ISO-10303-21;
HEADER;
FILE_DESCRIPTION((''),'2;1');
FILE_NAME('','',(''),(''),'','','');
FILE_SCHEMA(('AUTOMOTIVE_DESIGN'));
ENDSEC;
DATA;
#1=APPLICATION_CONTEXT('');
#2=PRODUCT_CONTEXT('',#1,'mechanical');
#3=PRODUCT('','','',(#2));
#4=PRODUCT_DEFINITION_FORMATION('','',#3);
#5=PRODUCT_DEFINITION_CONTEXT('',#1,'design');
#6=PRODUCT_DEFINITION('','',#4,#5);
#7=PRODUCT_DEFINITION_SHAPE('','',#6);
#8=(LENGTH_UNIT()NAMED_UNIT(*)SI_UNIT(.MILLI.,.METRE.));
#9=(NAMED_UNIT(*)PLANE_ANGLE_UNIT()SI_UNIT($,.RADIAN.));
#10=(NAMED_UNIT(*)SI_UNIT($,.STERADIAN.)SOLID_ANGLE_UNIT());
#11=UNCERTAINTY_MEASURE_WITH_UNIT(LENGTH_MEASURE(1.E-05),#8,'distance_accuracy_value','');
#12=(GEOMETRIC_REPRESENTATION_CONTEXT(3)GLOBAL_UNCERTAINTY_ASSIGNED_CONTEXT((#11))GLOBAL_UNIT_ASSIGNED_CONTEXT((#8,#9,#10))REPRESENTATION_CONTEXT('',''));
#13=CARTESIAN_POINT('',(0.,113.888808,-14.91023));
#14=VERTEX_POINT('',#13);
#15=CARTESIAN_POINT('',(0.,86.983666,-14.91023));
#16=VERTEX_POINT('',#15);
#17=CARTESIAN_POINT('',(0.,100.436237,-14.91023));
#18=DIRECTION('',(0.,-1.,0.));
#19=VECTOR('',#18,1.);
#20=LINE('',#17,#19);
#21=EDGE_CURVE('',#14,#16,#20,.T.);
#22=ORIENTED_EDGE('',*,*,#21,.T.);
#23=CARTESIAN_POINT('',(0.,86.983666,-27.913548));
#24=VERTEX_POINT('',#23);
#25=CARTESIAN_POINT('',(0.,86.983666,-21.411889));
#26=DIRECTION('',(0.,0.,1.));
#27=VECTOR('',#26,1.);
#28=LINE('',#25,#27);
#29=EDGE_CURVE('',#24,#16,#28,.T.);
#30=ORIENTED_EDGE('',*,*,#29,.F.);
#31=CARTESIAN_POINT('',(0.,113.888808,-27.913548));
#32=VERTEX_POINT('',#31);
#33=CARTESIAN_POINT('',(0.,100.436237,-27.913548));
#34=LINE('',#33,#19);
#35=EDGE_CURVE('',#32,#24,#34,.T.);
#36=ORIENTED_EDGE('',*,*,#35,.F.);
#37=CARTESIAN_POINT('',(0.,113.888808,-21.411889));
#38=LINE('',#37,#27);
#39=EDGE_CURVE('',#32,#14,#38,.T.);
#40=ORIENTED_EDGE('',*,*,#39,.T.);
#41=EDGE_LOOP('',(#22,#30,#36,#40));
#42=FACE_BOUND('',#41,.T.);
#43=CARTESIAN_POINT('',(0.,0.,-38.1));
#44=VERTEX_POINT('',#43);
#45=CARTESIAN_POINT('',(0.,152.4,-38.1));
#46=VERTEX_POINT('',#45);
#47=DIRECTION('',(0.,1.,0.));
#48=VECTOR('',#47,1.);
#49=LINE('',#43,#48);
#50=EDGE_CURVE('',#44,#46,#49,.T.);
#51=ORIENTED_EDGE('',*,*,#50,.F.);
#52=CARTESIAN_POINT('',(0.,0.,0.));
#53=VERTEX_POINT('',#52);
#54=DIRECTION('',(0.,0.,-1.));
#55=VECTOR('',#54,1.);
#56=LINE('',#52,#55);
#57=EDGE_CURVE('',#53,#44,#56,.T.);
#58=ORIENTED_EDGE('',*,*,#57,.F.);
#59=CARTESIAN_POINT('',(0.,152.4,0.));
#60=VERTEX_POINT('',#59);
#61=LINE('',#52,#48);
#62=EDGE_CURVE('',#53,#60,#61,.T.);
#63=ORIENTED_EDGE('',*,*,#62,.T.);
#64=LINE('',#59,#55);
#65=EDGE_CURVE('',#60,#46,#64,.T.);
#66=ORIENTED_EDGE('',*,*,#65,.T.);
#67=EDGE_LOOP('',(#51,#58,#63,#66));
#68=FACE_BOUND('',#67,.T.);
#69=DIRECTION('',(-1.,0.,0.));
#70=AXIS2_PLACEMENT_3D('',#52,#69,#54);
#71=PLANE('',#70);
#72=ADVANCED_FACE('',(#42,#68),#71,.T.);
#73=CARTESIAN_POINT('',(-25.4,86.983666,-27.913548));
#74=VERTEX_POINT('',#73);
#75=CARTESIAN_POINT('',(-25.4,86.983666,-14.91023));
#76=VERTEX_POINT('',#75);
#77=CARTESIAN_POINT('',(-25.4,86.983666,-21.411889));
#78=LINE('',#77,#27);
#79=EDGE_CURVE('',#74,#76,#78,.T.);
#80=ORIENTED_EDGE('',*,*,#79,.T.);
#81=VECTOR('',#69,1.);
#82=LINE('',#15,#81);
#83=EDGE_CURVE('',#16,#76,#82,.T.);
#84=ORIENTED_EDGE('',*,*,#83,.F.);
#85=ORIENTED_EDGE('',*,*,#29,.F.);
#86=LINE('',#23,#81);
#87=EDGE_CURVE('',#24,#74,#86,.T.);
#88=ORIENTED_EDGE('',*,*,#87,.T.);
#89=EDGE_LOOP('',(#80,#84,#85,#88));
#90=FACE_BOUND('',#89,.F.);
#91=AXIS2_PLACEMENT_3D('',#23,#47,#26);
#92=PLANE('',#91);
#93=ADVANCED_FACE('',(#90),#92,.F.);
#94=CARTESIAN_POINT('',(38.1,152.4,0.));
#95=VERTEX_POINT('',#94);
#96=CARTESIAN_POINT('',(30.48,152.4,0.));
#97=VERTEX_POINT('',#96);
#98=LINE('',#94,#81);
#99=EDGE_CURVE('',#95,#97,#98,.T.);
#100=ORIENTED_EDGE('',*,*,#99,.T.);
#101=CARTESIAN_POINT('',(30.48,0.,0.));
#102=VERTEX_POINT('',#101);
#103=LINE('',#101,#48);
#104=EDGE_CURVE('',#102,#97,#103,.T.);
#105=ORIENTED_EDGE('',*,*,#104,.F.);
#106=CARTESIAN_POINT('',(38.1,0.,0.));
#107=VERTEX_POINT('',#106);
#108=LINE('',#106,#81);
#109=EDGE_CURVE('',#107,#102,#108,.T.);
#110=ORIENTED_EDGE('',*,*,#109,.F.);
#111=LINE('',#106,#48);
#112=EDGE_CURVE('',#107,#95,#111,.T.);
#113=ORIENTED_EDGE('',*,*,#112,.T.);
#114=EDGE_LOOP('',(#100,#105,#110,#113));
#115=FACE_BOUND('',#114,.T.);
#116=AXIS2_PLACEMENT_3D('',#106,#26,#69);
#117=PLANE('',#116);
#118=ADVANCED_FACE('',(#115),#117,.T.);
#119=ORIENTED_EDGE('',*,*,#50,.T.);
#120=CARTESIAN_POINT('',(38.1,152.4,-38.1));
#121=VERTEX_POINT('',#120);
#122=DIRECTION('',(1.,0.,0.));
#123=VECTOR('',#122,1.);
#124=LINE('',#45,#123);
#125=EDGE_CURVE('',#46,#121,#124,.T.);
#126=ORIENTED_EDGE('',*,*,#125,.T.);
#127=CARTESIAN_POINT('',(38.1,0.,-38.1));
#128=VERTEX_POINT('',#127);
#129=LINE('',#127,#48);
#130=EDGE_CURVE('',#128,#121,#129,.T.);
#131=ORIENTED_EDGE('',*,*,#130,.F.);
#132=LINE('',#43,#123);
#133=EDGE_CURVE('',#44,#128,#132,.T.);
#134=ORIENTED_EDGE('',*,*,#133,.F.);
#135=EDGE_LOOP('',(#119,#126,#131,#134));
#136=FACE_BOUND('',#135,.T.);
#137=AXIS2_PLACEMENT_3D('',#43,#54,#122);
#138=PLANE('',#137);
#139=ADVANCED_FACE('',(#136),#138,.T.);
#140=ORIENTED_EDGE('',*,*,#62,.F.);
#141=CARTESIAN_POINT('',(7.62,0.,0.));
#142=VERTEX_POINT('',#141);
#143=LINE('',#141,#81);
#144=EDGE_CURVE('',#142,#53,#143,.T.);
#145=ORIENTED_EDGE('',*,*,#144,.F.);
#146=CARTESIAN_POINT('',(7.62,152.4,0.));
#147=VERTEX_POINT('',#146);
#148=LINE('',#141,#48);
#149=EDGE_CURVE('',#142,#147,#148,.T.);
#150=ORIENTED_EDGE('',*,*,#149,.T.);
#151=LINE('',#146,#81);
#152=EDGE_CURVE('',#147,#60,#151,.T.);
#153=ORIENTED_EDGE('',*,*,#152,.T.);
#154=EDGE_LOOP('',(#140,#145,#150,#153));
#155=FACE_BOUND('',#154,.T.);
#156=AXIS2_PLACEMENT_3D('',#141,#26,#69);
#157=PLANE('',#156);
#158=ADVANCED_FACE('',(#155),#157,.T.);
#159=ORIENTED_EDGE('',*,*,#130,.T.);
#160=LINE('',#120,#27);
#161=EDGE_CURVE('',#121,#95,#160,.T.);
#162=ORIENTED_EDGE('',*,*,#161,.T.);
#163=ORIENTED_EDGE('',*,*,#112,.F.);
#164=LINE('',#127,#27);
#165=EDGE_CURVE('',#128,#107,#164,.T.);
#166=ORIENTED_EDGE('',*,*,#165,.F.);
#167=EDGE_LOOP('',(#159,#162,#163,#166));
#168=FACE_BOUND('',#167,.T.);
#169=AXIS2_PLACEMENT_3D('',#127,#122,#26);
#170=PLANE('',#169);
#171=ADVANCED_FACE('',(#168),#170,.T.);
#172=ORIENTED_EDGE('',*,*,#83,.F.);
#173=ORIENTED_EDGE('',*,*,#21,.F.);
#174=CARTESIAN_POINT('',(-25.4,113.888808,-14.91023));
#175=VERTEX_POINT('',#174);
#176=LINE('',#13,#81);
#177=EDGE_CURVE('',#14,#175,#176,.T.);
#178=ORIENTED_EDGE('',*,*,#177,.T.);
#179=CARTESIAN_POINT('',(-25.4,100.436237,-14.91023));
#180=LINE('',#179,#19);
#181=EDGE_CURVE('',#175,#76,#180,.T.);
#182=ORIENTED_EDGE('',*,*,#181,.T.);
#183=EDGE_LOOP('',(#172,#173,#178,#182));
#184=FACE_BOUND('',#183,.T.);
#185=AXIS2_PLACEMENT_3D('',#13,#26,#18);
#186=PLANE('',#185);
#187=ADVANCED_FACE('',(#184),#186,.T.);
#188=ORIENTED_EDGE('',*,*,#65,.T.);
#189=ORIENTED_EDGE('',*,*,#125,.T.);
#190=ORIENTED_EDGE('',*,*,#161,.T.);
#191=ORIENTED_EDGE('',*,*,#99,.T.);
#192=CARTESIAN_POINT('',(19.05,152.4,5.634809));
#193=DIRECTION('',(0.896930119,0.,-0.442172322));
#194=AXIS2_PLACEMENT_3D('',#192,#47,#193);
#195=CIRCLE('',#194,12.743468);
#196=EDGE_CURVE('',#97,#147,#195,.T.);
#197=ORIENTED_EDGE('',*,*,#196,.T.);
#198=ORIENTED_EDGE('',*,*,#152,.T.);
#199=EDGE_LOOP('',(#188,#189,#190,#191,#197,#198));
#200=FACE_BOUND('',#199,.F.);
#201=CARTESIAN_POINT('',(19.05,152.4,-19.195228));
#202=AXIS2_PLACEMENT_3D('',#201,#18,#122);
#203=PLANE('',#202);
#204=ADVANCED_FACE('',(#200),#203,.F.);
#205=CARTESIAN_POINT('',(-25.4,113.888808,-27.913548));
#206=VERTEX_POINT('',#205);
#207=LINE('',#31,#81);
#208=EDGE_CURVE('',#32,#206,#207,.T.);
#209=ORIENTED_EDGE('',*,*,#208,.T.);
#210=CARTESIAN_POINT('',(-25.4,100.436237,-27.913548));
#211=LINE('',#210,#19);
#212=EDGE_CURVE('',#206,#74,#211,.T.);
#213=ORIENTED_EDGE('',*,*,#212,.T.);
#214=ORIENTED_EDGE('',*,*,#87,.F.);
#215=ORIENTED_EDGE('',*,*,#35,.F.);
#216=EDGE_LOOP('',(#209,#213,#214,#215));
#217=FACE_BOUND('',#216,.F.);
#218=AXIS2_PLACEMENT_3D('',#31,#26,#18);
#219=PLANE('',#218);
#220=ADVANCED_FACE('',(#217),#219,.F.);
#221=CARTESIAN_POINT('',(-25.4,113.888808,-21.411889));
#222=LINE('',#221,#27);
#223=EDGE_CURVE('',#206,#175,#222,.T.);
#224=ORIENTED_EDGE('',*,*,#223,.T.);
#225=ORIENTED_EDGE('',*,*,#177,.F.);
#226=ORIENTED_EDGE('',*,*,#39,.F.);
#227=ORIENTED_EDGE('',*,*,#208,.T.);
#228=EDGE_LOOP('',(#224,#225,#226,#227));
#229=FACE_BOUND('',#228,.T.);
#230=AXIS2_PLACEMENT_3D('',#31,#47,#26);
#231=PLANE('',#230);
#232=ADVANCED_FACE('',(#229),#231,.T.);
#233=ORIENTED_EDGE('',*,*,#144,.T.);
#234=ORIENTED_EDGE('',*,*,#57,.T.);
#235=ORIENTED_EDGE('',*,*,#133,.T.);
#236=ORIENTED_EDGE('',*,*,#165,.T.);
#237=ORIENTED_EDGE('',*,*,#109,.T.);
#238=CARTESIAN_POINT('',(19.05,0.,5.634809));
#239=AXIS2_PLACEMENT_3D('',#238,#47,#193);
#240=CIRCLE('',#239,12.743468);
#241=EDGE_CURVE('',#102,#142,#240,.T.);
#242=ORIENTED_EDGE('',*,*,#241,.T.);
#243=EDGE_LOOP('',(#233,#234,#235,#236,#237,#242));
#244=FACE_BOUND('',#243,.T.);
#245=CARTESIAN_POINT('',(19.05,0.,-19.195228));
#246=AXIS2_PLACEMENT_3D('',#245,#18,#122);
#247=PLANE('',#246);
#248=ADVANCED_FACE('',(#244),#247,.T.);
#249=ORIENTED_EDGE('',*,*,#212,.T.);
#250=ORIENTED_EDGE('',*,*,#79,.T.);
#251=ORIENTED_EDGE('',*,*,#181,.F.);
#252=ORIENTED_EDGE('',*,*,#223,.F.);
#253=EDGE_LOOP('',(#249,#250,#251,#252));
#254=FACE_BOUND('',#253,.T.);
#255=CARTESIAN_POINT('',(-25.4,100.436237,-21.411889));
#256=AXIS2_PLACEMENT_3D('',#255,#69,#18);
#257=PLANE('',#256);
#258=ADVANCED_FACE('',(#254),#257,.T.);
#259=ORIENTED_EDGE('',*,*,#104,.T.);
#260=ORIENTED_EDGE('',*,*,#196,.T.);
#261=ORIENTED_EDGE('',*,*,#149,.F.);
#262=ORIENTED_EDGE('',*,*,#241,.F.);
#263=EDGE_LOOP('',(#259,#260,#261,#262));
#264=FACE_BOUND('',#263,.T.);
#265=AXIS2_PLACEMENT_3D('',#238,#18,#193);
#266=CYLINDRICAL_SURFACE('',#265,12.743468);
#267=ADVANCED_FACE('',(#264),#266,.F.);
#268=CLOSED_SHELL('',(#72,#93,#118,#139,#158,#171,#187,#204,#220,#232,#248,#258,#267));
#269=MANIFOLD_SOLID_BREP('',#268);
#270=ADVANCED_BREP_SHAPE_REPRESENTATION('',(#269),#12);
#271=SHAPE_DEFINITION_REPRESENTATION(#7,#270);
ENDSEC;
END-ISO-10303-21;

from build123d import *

# Parameters (mm, degrees)
F1_DEPTH = 152.4
F2_W     = 26.905142
F2_H     = 13.003318
F3_DEPTH = 25.4


with BuildPart() as f1:
    # F0 (on Front) → F1 (new body)
    with BuildSketch(Plane.XZ):
        with BuildLine():
            Line((7.62, 0), (0, 0))
            Line((0, 0), (0, -38.1))
            Line((0, -38.1), (38.1, -38.1))
            Line((38.1, -38.1), (38.1, 0))
            Line((38.1, 0), (30.48, 0))
            ThreePointArc((30.48, 0), (19.05, -7.108659), (7.62, 0))
        make_face()
    extrude(amount=-F1_DEPTH)

    # F2 (on face) → F3 (join)
    with BuildSketch(Plane(origin=(0, 0, 0), x_dir=(0, -1, 0), z_dir=(-1, 0, 0))):
        with Locations((-100.436237, -21.411889)):
            Rectangle(F2_W, F2_H)
    extrude(amount=F3_DEPTH)


solid = f1.part
